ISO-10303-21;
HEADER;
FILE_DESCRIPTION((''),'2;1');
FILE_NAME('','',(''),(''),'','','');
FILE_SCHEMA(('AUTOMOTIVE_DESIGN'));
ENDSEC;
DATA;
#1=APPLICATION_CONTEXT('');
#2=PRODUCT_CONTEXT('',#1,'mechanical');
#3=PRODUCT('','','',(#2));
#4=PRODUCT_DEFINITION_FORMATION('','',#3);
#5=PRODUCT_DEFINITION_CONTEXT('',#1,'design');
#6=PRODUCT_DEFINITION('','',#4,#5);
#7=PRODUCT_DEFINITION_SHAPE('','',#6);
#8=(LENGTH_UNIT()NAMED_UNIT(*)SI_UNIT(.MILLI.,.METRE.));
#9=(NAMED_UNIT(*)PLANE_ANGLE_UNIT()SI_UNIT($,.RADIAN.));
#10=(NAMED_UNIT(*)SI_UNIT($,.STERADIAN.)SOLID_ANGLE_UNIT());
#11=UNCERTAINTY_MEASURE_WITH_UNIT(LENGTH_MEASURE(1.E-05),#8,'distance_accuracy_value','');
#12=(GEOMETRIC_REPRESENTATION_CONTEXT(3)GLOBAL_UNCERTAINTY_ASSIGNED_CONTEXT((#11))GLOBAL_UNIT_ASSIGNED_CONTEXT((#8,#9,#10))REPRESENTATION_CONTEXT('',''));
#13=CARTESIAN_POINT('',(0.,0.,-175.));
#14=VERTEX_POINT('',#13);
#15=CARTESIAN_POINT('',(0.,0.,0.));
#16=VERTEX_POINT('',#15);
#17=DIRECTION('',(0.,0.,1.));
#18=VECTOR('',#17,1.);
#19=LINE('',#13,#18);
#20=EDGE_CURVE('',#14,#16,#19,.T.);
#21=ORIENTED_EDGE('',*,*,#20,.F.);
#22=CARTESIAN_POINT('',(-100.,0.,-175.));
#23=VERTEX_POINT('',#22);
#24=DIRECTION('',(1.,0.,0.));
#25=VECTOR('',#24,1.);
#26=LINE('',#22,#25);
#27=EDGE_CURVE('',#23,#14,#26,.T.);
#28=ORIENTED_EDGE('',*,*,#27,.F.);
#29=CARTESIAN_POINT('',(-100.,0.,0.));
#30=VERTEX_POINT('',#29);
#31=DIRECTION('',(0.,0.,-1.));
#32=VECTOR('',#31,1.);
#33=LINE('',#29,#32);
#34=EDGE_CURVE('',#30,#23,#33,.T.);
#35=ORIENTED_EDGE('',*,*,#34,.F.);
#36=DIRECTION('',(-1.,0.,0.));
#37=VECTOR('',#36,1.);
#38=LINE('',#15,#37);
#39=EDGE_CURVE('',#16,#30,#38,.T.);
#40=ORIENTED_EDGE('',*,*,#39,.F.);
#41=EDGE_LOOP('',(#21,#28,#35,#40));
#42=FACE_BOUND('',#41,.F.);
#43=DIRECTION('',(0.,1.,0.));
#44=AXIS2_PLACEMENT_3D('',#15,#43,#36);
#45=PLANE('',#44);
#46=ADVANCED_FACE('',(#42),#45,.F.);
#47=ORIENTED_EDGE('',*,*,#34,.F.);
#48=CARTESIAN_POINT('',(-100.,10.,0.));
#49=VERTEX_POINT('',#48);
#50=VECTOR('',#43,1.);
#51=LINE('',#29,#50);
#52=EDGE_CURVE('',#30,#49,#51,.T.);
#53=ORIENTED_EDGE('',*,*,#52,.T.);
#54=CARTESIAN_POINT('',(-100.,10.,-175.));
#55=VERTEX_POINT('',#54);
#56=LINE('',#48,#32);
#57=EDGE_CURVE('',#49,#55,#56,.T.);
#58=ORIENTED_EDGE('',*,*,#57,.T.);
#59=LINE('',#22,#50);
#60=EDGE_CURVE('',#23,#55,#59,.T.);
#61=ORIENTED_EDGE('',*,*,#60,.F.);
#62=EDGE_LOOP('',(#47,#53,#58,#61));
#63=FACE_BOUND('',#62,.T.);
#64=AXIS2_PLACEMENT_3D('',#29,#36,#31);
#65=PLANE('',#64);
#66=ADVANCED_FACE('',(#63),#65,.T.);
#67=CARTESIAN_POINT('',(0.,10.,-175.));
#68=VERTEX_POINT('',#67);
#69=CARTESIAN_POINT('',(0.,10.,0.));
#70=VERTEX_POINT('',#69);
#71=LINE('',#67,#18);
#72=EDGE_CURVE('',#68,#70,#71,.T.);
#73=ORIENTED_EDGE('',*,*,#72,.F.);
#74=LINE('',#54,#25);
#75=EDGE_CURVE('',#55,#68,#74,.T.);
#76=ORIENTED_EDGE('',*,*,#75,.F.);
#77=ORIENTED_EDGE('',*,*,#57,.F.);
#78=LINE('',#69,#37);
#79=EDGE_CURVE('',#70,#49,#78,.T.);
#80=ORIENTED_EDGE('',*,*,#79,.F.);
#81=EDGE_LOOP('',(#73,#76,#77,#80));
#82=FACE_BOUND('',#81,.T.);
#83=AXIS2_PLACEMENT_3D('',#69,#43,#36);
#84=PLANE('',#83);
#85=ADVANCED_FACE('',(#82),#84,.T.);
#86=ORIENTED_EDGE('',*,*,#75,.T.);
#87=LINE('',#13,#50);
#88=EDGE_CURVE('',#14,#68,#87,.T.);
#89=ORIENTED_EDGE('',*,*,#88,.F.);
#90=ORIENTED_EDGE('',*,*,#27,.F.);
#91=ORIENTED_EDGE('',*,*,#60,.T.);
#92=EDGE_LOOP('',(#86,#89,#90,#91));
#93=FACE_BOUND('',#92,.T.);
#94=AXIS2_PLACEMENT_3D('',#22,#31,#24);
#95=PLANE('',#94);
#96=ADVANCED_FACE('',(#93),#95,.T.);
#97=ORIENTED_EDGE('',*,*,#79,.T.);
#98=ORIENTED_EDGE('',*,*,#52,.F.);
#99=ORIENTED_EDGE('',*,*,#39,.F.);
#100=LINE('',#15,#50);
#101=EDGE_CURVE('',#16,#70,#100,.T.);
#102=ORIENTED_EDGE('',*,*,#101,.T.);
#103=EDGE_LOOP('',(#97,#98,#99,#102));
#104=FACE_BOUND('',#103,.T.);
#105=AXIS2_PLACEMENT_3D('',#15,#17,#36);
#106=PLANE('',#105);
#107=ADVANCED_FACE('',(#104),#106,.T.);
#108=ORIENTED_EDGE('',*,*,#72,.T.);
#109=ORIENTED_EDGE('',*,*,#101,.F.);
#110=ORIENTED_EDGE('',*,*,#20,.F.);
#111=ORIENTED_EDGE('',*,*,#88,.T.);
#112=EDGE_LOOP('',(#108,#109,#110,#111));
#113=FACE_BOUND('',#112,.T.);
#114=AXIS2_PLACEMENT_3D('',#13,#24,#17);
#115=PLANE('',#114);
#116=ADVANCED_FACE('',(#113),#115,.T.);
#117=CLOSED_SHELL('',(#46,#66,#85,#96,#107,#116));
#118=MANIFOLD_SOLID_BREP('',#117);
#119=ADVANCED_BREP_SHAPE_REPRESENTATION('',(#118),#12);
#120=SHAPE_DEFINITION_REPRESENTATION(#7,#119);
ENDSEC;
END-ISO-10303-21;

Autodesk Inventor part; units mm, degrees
ref_plane "YZ Plane" through (0, 0, 0) normal (1, 0, 0) x (0, 1, 0)
ref_plane "XZ Plane" through (0, 0, 0) normal (0, 1, 0) x (-1, 0, 0)
ref_plane "XY Plane" through (0, 0, 0) normal (0, 0, 1) x (1, 0, 0)
sketch "Sketch1" plane through (0, 0, 0) normal (0, 1, 0) x (-1, 0, 0)
  line L0 (0, 0) -> (100, 0)
  line L1 (100, 0) -> (100, -175)
  line L2 (100, -175) -> (0, -175)
  line L3 (0, -175) -> (0, 0)
  circle A0 centre (50, -87.5) radius 3.8
  dimension "d0" = 100
  dimension "d1" = 175
  dimension "d2" = 7.6
extrude "Extrusion1" add sketch "Sketch1" along normal blind 10
sketch "Sketch2" plane through (0, 10, 0) normal (0, 1, 0) x (1, 0, 0)
  circle A0 centre (-50, 87.5) radius 3.8 projected
  circle A1 centre (-50, 87.5) radius 3.8
  point P0 (0, 0)
extrude "Extrusion2" add sketch "Sketch2" against normal blind 10
equation "\"BendRadius\" = Thickness"
equation "\"BendReliefWidth\" = Thickness"
equation "\"BendReliefDepth\" = 0.5 * Thickness"
equation "\"CornerReliefSize\" = 4 * Thickness"
equation "\"MinimumRemnant\" = 2 * Thickness"
equation "\"TransitionRadius\" = BendRadius"
equation "\"JacobiRadiusSize\" = BendRadius"
equation "\"GapSize\" = Thickness"
equation "\"Thickness\" = 0.5"
properties part number "Cap1"
